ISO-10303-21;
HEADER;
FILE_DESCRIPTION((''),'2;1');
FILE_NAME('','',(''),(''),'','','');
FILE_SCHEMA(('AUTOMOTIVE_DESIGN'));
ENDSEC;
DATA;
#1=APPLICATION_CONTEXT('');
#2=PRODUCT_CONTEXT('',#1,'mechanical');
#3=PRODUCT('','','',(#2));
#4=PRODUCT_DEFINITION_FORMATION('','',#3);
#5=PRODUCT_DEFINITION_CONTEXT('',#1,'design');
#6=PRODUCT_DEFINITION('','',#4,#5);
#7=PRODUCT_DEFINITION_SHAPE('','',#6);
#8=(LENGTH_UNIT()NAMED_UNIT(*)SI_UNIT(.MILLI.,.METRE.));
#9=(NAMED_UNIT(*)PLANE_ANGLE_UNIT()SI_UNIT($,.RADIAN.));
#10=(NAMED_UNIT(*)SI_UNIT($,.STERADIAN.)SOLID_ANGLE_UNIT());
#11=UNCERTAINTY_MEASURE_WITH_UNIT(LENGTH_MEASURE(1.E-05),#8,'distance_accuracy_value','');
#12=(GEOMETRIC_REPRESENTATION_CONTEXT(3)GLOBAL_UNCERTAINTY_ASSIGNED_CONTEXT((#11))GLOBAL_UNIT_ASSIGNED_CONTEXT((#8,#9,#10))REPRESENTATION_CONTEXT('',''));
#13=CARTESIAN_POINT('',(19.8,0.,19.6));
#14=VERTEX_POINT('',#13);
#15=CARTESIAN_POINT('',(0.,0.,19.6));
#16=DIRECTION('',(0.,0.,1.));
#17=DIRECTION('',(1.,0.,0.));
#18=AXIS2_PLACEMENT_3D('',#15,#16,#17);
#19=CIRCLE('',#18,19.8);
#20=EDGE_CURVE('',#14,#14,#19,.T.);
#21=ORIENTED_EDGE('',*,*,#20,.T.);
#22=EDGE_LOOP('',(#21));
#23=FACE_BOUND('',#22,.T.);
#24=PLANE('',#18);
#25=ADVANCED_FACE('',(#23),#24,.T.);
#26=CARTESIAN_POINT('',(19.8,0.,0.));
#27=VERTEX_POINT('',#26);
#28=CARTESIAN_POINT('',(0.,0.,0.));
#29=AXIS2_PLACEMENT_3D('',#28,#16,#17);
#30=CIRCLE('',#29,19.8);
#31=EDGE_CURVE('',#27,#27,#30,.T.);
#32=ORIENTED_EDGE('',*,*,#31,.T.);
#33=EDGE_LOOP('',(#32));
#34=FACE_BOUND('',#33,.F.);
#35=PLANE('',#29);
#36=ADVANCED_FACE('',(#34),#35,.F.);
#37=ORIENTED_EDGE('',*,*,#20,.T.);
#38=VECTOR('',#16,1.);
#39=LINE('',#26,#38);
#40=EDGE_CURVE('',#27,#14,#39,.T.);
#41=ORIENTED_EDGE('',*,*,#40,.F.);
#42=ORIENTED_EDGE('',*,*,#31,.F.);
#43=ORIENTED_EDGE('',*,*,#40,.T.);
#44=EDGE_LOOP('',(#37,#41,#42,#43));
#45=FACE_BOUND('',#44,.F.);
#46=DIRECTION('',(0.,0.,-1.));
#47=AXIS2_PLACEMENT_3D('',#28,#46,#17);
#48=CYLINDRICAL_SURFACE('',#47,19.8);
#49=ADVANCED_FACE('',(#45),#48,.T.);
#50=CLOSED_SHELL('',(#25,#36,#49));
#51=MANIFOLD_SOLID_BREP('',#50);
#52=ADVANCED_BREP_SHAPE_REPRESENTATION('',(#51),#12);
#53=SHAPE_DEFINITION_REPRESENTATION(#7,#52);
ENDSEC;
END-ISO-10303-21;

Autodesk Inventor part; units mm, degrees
ref_plane "YZ Plane" through (0, 0, 0) normal (1, 0, 0) x (0, 1, 0)
ref_plane "XZ Plane" through (0, 0, 0) normal (0, 1, 0) x (-1, 0, 0)
ref_plane "XY Plane" through (0, 0, 0) normal (0, 0, 1) x (1, 0, 0)
sketch "Sketch1" plane through (0, 0, 0) normal (0, 0, 1) x (1, 0, 0)
  circle A0 centre (0, 0) radius 19.8
  dimension "d0" = 39.6
extrude "Extrusion1" add sketch "Sketch1" along normal blind 19.6
properties part number "link_b3" material "ABS Plastic"
